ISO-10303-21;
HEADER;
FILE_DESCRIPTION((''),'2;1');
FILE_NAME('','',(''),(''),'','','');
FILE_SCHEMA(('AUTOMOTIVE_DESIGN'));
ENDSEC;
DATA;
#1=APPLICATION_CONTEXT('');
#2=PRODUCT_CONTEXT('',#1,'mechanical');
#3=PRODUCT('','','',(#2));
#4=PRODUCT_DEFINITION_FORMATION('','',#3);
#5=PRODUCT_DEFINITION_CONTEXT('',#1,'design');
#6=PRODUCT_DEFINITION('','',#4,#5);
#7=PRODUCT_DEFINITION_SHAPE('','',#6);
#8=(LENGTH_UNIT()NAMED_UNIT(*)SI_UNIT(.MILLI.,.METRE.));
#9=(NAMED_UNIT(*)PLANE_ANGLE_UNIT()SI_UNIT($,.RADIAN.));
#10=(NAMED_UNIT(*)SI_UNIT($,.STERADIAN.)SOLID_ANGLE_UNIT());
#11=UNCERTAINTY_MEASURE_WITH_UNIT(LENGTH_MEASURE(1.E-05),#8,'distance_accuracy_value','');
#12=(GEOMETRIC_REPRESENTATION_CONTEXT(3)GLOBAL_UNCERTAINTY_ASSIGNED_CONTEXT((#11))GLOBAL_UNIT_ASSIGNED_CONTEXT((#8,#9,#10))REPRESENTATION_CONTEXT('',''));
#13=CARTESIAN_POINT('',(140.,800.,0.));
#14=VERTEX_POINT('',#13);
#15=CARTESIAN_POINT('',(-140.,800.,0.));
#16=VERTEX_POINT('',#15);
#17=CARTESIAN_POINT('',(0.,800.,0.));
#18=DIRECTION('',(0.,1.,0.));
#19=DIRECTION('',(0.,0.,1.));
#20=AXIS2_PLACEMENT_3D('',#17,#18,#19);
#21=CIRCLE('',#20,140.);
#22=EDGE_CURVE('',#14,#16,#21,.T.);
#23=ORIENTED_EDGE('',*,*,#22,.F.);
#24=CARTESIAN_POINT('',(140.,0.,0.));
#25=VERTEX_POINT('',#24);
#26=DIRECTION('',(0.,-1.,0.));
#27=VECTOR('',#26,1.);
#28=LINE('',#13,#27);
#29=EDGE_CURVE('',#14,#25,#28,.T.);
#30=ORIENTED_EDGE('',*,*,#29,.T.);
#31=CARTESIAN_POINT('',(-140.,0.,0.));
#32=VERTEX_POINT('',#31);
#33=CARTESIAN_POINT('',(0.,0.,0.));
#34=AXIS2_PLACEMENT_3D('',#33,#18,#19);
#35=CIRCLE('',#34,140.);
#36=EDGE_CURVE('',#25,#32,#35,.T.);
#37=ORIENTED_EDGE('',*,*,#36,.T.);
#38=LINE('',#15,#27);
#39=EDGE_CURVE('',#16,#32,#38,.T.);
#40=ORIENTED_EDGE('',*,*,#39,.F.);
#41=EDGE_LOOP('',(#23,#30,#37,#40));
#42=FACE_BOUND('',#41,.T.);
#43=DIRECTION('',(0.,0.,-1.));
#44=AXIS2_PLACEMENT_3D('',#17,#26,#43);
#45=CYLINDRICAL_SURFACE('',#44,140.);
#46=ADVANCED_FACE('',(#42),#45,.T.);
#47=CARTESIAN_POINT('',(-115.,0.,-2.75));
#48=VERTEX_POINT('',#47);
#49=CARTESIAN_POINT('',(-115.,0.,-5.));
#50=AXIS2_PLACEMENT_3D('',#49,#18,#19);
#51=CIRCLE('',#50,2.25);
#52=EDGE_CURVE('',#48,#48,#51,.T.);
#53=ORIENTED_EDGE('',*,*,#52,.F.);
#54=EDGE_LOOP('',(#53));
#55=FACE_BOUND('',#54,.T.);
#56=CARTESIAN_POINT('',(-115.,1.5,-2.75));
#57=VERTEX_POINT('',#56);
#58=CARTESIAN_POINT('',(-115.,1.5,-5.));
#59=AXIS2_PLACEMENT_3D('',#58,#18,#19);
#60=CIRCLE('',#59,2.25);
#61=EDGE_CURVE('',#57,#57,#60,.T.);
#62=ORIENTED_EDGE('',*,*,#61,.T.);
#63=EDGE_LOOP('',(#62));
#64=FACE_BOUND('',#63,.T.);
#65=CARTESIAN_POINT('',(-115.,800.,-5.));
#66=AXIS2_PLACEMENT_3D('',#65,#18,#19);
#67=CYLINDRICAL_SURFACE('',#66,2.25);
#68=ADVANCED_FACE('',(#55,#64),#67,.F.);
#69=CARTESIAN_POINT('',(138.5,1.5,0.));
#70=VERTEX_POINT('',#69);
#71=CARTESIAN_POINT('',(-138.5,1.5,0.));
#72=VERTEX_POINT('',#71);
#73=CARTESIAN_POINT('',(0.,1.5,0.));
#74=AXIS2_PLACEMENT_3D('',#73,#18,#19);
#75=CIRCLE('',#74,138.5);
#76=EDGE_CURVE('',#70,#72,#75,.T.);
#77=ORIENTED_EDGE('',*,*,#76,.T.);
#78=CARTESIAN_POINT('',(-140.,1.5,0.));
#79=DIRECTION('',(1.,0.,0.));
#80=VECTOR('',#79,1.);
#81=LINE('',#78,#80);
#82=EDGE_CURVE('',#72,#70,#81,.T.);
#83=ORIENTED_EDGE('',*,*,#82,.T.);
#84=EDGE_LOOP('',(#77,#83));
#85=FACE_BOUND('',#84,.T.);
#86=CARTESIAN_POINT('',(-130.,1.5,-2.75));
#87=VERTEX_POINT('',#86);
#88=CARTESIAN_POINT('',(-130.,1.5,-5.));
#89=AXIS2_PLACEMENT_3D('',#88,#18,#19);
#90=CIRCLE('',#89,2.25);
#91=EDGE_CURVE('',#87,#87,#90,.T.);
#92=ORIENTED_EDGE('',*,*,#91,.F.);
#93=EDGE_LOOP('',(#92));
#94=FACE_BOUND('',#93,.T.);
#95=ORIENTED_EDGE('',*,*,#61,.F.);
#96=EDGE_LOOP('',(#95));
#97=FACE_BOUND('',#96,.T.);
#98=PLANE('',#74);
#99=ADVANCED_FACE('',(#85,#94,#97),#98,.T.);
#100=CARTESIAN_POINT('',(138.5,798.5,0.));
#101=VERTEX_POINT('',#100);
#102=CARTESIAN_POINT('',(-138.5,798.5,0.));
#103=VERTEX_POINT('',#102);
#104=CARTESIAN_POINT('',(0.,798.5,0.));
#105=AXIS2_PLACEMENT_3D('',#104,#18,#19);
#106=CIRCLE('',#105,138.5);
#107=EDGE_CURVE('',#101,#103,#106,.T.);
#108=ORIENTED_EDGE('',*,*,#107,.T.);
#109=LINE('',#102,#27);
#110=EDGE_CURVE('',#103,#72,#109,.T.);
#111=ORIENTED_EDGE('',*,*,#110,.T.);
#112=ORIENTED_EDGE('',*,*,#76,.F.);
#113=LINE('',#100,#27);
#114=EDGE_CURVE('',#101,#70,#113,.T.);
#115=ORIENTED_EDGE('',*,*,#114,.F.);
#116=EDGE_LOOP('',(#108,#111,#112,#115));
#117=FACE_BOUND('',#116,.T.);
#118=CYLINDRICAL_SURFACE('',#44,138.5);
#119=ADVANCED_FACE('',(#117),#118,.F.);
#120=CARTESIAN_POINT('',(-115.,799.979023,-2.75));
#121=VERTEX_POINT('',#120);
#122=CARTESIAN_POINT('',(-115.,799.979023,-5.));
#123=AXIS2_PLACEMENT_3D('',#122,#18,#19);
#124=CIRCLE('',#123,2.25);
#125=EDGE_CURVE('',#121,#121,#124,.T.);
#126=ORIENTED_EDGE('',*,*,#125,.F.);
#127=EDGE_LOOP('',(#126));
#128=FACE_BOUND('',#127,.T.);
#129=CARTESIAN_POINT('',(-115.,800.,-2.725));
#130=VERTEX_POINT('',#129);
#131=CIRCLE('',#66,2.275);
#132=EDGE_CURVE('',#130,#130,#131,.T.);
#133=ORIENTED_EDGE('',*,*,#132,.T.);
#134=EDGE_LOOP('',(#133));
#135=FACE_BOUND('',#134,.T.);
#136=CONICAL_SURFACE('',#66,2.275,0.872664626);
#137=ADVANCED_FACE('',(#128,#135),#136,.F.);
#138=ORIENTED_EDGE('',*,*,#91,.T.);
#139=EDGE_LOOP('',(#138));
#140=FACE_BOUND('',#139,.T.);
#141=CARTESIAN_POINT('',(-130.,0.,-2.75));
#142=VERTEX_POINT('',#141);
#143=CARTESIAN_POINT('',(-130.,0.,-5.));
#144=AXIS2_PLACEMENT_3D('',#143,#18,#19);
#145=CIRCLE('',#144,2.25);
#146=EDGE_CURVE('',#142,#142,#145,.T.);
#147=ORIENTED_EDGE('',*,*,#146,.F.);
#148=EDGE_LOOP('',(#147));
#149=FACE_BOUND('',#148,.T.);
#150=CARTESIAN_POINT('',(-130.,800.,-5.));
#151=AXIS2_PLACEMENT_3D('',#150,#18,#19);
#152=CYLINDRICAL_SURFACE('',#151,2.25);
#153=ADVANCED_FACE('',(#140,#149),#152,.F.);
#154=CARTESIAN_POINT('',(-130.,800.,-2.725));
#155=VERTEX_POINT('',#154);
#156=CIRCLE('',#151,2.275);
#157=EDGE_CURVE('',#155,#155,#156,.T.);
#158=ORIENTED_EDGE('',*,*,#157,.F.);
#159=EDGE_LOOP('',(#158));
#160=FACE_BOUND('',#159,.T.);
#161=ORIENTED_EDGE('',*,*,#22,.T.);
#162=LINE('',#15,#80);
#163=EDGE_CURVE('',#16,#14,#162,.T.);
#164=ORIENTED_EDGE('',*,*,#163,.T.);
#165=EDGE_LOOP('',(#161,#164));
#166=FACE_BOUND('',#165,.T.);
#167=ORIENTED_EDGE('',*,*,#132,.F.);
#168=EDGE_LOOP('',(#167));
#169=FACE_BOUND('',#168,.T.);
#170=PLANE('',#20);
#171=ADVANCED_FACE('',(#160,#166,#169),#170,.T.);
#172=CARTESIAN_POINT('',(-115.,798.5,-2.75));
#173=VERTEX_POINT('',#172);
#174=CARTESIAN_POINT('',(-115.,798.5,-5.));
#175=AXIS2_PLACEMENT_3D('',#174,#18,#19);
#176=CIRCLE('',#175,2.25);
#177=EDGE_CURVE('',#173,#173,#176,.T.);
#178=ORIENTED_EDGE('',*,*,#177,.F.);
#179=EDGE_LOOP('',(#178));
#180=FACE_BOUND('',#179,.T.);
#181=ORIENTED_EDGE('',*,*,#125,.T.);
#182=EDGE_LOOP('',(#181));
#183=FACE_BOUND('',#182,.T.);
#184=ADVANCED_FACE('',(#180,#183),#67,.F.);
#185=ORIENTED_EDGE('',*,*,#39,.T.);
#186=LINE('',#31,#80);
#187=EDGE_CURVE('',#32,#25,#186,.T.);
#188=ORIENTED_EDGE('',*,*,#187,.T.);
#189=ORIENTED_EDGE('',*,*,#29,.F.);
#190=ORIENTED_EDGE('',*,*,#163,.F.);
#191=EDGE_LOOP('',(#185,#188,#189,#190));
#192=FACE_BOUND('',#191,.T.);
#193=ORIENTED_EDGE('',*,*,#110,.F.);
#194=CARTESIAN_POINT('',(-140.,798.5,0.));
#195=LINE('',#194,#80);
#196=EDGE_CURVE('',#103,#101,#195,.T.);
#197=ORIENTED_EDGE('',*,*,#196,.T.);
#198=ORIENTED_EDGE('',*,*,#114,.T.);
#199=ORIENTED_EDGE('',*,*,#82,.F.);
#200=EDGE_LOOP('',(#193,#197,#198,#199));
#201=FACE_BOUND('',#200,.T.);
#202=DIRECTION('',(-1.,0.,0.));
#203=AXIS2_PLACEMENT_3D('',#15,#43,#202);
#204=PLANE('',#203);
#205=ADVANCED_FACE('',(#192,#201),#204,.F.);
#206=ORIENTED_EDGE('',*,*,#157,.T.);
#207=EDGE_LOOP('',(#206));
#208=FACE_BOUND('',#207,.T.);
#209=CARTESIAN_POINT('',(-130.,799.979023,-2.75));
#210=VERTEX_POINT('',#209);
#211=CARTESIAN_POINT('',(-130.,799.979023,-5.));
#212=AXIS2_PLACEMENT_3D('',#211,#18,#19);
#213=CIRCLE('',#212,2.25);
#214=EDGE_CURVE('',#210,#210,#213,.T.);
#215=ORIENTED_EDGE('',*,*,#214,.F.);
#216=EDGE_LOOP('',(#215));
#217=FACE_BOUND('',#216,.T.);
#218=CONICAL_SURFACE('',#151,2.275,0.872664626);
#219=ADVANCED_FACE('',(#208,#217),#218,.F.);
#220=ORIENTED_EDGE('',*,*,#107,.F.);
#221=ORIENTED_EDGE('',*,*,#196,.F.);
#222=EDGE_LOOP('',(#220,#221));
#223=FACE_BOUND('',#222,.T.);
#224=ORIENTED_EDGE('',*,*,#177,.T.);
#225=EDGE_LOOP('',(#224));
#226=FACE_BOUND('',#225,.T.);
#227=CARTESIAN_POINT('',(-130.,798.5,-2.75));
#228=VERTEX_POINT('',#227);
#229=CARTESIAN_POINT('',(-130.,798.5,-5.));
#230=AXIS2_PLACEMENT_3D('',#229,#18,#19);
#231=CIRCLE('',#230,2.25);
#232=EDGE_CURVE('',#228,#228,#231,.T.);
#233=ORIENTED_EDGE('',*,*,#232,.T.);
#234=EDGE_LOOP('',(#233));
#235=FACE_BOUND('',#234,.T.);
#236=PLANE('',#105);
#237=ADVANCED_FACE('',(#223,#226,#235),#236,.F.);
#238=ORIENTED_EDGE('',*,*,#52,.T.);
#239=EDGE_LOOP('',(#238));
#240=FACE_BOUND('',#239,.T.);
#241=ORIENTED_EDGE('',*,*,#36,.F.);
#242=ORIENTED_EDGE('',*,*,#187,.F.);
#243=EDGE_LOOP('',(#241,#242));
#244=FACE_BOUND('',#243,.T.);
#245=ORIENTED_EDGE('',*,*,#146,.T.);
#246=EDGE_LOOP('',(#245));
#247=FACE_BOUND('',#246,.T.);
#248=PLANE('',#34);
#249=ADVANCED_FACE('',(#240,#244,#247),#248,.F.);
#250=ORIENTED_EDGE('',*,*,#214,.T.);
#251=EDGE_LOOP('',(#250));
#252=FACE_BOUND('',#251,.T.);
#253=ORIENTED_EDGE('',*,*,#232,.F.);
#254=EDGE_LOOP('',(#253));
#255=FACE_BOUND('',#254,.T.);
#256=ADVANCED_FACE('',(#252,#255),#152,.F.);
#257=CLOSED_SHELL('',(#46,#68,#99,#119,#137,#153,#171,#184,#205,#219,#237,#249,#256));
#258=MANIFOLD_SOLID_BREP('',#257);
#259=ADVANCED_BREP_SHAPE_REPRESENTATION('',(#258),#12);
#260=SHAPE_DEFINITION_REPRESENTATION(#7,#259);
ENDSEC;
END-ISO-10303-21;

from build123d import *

# Parameters (mm, degrees)
BOSS_EXTRUDE1_DEPTH            = 800
SHELL1_T                       = -1.5
M4_CLEARANCE_HOLE1_D           = 4.5
M4_CLEARANCE_HOLE1_CSINK_D     = 4.55
M4_CLEARANCE_HOLE1_CSINK_ANGLE = 100


with BuildPart() as part:
    # Sketch1 → Boss-Extrude1 (new body)
    with BuildSketch(Plane(origin=(0, 0, 0), x_dir=(1, 0, 0), z_dir=(0, 1, 0))):
        with BuildLine():
            Line((-140, 0), (140, 0))
            ThreePointArc((140, 0), (0, 140), (-140, 0))
        make_face()
    extrude(amount=BOSS_EXTRUDE1_DEPTH)

    # Shell1
    shell1_openings = [part.faces().sort_by_distance(p)[0] for p in [
        (0, 400, 0),
    ]]
    offset(amount=SHELL1_T, openings=shell1_openings)

    # M4 Clearance Hole1 (through all)
    with Locations(Plane(origin=(0, 800, 0), x_dir=(1, 0, 0), z_dir=(0, 1, 0))):
        with Locations((-130, 5), (-115, 5)):
            CounterSinkHole(M4_CLEARANCE_HOLE1_D / 2, M4_CLEARANCE_HOLE1_CSINK_D / 2, counter_sink_angle=M4_CLEARANCE_HOLE1_CSINK_ANGLE)


solid = part.part
